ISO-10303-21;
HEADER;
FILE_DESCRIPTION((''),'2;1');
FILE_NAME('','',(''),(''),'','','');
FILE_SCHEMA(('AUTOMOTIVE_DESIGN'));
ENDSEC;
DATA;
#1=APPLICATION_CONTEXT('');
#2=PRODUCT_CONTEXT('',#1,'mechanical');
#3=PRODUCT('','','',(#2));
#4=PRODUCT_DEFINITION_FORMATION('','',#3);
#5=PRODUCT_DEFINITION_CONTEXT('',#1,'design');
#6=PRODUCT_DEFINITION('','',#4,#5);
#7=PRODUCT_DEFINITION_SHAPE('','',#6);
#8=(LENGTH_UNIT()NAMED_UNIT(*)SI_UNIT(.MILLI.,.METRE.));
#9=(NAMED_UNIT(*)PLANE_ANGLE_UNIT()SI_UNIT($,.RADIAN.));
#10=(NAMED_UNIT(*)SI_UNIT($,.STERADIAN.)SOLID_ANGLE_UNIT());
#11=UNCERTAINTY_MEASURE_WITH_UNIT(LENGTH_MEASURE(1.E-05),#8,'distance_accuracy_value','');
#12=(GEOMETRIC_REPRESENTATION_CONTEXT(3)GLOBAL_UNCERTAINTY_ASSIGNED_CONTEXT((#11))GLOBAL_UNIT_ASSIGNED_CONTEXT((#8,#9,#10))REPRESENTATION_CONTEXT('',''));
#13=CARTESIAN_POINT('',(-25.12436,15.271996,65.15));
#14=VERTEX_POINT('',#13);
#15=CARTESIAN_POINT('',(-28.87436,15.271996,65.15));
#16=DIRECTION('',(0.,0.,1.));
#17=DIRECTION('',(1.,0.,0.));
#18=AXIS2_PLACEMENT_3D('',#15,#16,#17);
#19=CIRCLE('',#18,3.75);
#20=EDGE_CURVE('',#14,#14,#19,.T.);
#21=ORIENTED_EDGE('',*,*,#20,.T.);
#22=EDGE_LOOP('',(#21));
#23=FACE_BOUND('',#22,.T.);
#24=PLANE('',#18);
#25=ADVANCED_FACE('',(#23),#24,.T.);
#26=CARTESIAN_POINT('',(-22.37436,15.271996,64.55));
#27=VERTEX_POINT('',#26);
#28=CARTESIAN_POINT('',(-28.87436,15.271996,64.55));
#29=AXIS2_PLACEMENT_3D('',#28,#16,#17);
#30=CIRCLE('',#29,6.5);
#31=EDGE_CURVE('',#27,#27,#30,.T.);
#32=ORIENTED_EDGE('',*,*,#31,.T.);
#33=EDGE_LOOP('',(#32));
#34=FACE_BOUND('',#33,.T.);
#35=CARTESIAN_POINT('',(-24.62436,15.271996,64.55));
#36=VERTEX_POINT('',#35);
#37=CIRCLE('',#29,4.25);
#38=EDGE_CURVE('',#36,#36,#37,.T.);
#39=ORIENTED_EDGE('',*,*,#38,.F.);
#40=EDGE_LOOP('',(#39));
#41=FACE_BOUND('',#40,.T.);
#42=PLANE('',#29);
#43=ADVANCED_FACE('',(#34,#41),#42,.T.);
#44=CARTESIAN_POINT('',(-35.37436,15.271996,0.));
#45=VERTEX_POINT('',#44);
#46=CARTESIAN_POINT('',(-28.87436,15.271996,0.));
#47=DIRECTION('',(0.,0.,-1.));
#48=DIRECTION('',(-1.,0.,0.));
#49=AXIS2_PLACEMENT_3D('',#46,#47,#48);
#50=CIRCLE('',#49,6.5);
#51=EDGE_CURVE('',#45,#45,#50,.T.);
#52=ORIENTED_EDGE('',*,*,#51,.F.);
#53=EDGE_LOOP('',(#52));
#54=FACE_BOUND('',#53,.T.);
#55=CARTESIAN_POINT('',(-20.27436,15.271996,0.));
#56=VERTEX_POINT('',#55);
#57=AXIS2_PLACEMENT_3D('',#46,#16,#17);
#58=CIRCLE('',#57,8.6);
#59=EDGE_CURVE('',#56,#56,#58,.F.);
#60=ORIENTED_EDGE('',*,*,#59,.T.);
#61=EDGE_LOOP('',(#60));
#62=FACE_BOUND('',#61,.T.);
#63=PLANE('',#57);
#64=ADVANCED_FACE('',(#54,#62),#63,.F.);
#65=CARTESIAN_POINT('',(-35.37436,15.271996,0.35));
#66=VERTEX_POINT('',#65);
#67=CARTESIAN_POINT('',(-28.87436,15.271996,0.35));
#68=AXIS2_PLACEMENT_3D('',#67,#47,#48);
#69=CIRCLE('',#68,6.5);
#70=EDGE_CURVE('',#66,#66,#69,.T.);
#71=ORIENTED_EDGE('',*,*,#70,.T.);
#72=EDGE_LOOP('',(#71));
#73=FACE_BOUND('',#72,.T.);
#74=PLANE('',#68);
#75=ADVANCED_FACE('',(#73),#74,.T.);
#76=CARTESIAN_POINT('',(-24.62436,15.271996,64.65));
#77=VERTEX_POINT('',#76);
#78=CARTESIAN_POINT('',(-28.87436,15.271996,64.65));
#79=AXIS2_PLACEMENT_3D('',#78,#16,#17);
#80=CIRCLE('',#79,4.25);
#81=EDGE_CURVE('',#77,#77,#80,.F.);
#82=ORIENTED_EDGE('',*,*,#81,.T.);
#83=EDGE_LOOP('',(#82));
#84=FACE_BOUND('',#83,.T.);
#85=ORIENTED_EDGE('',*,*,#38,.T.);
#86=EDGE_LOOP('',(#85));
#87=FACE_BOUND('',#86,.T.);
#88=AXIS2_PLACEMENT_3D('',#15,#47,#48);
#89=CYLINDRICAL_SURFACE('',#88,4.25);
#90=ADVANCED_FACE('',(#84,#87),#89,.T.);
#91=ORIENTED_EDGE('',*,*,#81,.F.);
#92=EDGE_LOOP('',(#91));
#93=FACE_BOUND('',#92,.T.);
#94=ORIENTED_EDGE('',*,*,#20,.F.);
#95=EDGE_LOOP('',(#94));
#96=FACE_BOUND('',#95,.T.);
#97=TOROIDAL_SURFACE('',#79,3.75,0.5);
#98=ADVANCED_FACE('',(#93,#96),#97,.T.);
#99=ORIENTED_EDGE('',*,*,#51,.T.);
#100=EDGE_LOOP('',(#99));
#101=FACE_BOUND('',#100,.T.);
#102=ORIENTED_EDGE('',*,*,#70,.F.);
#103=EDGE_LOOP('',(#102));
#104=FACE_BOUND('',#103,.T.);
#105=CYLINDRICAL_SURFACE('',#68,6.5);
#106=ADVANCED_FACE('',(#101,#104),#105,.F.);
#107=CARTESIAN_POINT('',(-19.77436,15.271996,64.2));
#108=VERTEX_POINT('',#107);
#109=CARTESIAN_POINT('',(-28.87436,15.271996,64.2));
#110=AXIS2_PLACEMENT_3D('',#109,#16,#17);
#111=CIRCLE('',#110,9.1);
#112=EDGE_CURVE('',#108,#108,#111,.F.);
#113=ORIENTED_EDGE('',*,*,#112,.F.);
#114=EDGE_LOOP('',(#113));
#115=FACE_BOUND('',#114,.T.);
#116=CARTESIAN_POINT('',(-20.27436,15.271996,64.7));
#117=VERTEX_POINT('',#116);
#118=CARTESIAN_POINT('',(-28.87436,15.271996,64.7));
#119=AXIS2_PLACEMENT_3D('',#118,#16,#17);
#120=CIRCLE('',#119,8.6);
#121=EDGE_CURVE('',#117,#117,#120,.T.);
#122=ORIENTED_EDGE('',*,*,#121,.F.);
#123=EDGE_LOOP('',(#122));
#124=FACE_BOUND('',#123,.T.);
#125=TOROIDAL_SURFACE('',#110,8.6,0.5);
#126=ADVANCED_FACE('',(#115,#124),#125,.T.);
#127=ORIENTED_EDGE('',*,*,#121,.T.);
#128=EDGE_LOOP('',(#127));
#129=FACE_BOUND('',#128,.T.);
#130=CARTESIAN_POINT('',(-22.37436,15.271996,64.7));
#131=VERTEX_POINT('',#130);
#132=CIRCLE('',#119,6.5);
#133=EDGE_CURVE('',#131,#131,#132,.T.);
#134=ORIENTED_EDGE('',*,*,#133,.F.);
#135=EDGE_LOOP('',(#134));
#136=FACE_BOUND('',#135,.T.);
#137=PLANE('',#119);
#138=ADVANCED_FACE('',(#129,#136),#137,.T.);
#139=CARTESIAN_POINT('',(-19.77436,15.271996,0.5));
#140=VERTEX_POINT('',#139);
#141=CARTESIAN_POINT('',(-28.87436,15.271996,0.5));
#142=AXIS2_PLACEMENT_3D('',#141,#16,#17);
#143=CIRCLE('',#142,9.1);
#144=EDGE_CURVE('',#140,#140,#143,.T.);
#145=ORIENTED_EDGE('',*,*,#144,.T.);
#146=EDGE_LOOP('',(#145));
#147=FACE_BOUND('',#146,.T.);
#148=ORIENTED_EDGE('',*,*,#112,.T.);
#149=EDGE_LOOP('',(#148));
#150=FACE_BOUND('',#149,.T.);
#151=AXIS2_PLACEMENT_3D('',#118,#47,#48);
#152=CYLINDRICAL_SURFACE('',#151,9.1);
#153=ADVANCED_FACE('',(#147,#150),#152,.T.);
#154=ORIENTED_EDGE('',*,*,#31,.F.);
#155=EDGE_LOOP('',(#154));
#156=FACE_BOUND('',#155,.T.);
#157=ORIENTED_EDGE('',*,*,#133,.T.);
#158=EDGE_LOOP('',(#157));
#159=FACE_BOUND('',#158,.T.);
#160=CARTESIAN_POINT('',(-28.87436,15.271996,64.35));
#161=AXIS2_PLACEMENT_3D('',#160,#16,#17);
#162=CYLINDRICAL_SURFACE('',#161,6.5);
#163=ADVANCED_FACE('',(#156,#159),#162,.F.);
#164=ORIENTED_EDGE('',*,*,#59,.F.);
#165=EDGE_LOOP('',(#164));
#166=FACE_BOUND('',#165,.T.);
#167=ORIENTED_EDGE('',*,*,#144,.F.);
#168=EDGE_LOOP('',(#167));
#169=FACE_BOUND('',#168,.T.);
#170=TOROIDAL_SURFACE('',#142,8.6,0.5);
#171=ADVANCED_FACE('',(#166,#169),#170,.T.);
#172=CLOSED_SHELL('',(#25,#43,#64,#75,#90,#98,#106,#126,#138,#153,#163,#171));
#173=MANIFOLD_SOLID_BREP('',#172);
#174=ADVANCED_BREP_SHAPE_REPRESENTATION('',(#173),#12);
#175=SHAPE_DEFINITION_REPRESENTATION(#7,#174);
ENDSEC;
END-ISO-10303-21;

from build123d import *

# Parameters (mm, degrees)
SKETCH_1_R          = 9.1
EXTRUDE_1_DEPTH     = 64.7
FILLET_1_R          = 0.5
FILLET_2_R          = 0.5
SKETCH_2_R          = 6.5
CUT_EXTRUDE_1_DEPTH = 0.35
SKETCH_3_R          = 6.5
CUT_EXTRUDE_2_DEPTH = 0.35
SKETCH_4_R          = 4.25
EXTRUDE_2_DEPTH     = 0.8
FILLET_3_R          = 0.5
SKETCH_5_R          = 6.5
SKETCH_5_R_2        = 4.25
EXTRUDE_3_DEPTH     = 0.2


with BuildPart() as part:
    # 草图1 → 凸台-拉伸1 (new body)
    with BuildSketch(Plane.XY):
        with Locations((-28.874360447, 15.271996124)):
            Circle(SKETCH_1_R)
    extrude(amount=EXTRUDE_1_DEPTH)

    # 圆角1
    fillet_1_edges = [part.edges().sort_by_distance(p)[0] for p in [
        (-37.974360447, 15.271996124, 0),
    ]]
    fillet(fillet_1_edges, radius=FILLET_1_R)

    # 圆角2
    fillet_2_edges = [part.edges().sort_by_distance(p)[0] for p in [
        (-37.974360447, 15.271996124, 64.7),
    ]]
    fillet(fillet_2_edges, radius=FILLET_2_R)

    # 草图2 → 切除-拉伸1 (cut)
    with BuildSketch(Plane(origin=(0, 0, 0), x_dir=(-1, 0, 0), z_dir=(0, 0, -1))):
        with Locations((28.874360447, 15.271996124)):
            Circle(SKETCH_2_R)
    extrude(amount=-CUT_EXTRUDE_1_DEPTH, mode=Mode.SUBTRACT)

    # 草图3 → 切除-拉伸2 (cut)
    with BuildSketch(Plane.XY.offset(64.7)):
        with Locations((-28.874360447, 15.271996124)):
            Circle(SKETCH_3_R)
    extrude(amount=-CUT_EXTRUDE_2_DEPTH, mode=Mode.SUBTRACT)

    # 草图4 → 凸台-拉伸2 (add)
    with BuildSketch(Plane.XY.offset(64.35)):
        with Locations((-28.874360447, 15.271996124)):
            Circle(SKETCH_4_R)
    extrude(amount=EXTRUDE_2_DEPTH)

    # 圆角3
    fillet_3_edges = [part.edges().sort_by_distance(p)[0] for p in [
        (-33.124360447, 15.271996124, 65.15),
    ]]
    fillet(fillet_3_edges, radius=FILLET_3_R)

    # 草图5 → 凸台-拉伸3 (add)
    with BuildSketch(Plane.XY.offset(64.35)):
        with Locations((-28.874360447, 15.271996124)):
            Circle(SKETCH_5_R)
        with Locations((-28.874360447, 15.271996124)):
            Circle(SKETCH_5_R_2, mode=Mode.SUBTRACT)
    extrude(amount=EXTRUDE_3_DEPTH)


solid = part.part
